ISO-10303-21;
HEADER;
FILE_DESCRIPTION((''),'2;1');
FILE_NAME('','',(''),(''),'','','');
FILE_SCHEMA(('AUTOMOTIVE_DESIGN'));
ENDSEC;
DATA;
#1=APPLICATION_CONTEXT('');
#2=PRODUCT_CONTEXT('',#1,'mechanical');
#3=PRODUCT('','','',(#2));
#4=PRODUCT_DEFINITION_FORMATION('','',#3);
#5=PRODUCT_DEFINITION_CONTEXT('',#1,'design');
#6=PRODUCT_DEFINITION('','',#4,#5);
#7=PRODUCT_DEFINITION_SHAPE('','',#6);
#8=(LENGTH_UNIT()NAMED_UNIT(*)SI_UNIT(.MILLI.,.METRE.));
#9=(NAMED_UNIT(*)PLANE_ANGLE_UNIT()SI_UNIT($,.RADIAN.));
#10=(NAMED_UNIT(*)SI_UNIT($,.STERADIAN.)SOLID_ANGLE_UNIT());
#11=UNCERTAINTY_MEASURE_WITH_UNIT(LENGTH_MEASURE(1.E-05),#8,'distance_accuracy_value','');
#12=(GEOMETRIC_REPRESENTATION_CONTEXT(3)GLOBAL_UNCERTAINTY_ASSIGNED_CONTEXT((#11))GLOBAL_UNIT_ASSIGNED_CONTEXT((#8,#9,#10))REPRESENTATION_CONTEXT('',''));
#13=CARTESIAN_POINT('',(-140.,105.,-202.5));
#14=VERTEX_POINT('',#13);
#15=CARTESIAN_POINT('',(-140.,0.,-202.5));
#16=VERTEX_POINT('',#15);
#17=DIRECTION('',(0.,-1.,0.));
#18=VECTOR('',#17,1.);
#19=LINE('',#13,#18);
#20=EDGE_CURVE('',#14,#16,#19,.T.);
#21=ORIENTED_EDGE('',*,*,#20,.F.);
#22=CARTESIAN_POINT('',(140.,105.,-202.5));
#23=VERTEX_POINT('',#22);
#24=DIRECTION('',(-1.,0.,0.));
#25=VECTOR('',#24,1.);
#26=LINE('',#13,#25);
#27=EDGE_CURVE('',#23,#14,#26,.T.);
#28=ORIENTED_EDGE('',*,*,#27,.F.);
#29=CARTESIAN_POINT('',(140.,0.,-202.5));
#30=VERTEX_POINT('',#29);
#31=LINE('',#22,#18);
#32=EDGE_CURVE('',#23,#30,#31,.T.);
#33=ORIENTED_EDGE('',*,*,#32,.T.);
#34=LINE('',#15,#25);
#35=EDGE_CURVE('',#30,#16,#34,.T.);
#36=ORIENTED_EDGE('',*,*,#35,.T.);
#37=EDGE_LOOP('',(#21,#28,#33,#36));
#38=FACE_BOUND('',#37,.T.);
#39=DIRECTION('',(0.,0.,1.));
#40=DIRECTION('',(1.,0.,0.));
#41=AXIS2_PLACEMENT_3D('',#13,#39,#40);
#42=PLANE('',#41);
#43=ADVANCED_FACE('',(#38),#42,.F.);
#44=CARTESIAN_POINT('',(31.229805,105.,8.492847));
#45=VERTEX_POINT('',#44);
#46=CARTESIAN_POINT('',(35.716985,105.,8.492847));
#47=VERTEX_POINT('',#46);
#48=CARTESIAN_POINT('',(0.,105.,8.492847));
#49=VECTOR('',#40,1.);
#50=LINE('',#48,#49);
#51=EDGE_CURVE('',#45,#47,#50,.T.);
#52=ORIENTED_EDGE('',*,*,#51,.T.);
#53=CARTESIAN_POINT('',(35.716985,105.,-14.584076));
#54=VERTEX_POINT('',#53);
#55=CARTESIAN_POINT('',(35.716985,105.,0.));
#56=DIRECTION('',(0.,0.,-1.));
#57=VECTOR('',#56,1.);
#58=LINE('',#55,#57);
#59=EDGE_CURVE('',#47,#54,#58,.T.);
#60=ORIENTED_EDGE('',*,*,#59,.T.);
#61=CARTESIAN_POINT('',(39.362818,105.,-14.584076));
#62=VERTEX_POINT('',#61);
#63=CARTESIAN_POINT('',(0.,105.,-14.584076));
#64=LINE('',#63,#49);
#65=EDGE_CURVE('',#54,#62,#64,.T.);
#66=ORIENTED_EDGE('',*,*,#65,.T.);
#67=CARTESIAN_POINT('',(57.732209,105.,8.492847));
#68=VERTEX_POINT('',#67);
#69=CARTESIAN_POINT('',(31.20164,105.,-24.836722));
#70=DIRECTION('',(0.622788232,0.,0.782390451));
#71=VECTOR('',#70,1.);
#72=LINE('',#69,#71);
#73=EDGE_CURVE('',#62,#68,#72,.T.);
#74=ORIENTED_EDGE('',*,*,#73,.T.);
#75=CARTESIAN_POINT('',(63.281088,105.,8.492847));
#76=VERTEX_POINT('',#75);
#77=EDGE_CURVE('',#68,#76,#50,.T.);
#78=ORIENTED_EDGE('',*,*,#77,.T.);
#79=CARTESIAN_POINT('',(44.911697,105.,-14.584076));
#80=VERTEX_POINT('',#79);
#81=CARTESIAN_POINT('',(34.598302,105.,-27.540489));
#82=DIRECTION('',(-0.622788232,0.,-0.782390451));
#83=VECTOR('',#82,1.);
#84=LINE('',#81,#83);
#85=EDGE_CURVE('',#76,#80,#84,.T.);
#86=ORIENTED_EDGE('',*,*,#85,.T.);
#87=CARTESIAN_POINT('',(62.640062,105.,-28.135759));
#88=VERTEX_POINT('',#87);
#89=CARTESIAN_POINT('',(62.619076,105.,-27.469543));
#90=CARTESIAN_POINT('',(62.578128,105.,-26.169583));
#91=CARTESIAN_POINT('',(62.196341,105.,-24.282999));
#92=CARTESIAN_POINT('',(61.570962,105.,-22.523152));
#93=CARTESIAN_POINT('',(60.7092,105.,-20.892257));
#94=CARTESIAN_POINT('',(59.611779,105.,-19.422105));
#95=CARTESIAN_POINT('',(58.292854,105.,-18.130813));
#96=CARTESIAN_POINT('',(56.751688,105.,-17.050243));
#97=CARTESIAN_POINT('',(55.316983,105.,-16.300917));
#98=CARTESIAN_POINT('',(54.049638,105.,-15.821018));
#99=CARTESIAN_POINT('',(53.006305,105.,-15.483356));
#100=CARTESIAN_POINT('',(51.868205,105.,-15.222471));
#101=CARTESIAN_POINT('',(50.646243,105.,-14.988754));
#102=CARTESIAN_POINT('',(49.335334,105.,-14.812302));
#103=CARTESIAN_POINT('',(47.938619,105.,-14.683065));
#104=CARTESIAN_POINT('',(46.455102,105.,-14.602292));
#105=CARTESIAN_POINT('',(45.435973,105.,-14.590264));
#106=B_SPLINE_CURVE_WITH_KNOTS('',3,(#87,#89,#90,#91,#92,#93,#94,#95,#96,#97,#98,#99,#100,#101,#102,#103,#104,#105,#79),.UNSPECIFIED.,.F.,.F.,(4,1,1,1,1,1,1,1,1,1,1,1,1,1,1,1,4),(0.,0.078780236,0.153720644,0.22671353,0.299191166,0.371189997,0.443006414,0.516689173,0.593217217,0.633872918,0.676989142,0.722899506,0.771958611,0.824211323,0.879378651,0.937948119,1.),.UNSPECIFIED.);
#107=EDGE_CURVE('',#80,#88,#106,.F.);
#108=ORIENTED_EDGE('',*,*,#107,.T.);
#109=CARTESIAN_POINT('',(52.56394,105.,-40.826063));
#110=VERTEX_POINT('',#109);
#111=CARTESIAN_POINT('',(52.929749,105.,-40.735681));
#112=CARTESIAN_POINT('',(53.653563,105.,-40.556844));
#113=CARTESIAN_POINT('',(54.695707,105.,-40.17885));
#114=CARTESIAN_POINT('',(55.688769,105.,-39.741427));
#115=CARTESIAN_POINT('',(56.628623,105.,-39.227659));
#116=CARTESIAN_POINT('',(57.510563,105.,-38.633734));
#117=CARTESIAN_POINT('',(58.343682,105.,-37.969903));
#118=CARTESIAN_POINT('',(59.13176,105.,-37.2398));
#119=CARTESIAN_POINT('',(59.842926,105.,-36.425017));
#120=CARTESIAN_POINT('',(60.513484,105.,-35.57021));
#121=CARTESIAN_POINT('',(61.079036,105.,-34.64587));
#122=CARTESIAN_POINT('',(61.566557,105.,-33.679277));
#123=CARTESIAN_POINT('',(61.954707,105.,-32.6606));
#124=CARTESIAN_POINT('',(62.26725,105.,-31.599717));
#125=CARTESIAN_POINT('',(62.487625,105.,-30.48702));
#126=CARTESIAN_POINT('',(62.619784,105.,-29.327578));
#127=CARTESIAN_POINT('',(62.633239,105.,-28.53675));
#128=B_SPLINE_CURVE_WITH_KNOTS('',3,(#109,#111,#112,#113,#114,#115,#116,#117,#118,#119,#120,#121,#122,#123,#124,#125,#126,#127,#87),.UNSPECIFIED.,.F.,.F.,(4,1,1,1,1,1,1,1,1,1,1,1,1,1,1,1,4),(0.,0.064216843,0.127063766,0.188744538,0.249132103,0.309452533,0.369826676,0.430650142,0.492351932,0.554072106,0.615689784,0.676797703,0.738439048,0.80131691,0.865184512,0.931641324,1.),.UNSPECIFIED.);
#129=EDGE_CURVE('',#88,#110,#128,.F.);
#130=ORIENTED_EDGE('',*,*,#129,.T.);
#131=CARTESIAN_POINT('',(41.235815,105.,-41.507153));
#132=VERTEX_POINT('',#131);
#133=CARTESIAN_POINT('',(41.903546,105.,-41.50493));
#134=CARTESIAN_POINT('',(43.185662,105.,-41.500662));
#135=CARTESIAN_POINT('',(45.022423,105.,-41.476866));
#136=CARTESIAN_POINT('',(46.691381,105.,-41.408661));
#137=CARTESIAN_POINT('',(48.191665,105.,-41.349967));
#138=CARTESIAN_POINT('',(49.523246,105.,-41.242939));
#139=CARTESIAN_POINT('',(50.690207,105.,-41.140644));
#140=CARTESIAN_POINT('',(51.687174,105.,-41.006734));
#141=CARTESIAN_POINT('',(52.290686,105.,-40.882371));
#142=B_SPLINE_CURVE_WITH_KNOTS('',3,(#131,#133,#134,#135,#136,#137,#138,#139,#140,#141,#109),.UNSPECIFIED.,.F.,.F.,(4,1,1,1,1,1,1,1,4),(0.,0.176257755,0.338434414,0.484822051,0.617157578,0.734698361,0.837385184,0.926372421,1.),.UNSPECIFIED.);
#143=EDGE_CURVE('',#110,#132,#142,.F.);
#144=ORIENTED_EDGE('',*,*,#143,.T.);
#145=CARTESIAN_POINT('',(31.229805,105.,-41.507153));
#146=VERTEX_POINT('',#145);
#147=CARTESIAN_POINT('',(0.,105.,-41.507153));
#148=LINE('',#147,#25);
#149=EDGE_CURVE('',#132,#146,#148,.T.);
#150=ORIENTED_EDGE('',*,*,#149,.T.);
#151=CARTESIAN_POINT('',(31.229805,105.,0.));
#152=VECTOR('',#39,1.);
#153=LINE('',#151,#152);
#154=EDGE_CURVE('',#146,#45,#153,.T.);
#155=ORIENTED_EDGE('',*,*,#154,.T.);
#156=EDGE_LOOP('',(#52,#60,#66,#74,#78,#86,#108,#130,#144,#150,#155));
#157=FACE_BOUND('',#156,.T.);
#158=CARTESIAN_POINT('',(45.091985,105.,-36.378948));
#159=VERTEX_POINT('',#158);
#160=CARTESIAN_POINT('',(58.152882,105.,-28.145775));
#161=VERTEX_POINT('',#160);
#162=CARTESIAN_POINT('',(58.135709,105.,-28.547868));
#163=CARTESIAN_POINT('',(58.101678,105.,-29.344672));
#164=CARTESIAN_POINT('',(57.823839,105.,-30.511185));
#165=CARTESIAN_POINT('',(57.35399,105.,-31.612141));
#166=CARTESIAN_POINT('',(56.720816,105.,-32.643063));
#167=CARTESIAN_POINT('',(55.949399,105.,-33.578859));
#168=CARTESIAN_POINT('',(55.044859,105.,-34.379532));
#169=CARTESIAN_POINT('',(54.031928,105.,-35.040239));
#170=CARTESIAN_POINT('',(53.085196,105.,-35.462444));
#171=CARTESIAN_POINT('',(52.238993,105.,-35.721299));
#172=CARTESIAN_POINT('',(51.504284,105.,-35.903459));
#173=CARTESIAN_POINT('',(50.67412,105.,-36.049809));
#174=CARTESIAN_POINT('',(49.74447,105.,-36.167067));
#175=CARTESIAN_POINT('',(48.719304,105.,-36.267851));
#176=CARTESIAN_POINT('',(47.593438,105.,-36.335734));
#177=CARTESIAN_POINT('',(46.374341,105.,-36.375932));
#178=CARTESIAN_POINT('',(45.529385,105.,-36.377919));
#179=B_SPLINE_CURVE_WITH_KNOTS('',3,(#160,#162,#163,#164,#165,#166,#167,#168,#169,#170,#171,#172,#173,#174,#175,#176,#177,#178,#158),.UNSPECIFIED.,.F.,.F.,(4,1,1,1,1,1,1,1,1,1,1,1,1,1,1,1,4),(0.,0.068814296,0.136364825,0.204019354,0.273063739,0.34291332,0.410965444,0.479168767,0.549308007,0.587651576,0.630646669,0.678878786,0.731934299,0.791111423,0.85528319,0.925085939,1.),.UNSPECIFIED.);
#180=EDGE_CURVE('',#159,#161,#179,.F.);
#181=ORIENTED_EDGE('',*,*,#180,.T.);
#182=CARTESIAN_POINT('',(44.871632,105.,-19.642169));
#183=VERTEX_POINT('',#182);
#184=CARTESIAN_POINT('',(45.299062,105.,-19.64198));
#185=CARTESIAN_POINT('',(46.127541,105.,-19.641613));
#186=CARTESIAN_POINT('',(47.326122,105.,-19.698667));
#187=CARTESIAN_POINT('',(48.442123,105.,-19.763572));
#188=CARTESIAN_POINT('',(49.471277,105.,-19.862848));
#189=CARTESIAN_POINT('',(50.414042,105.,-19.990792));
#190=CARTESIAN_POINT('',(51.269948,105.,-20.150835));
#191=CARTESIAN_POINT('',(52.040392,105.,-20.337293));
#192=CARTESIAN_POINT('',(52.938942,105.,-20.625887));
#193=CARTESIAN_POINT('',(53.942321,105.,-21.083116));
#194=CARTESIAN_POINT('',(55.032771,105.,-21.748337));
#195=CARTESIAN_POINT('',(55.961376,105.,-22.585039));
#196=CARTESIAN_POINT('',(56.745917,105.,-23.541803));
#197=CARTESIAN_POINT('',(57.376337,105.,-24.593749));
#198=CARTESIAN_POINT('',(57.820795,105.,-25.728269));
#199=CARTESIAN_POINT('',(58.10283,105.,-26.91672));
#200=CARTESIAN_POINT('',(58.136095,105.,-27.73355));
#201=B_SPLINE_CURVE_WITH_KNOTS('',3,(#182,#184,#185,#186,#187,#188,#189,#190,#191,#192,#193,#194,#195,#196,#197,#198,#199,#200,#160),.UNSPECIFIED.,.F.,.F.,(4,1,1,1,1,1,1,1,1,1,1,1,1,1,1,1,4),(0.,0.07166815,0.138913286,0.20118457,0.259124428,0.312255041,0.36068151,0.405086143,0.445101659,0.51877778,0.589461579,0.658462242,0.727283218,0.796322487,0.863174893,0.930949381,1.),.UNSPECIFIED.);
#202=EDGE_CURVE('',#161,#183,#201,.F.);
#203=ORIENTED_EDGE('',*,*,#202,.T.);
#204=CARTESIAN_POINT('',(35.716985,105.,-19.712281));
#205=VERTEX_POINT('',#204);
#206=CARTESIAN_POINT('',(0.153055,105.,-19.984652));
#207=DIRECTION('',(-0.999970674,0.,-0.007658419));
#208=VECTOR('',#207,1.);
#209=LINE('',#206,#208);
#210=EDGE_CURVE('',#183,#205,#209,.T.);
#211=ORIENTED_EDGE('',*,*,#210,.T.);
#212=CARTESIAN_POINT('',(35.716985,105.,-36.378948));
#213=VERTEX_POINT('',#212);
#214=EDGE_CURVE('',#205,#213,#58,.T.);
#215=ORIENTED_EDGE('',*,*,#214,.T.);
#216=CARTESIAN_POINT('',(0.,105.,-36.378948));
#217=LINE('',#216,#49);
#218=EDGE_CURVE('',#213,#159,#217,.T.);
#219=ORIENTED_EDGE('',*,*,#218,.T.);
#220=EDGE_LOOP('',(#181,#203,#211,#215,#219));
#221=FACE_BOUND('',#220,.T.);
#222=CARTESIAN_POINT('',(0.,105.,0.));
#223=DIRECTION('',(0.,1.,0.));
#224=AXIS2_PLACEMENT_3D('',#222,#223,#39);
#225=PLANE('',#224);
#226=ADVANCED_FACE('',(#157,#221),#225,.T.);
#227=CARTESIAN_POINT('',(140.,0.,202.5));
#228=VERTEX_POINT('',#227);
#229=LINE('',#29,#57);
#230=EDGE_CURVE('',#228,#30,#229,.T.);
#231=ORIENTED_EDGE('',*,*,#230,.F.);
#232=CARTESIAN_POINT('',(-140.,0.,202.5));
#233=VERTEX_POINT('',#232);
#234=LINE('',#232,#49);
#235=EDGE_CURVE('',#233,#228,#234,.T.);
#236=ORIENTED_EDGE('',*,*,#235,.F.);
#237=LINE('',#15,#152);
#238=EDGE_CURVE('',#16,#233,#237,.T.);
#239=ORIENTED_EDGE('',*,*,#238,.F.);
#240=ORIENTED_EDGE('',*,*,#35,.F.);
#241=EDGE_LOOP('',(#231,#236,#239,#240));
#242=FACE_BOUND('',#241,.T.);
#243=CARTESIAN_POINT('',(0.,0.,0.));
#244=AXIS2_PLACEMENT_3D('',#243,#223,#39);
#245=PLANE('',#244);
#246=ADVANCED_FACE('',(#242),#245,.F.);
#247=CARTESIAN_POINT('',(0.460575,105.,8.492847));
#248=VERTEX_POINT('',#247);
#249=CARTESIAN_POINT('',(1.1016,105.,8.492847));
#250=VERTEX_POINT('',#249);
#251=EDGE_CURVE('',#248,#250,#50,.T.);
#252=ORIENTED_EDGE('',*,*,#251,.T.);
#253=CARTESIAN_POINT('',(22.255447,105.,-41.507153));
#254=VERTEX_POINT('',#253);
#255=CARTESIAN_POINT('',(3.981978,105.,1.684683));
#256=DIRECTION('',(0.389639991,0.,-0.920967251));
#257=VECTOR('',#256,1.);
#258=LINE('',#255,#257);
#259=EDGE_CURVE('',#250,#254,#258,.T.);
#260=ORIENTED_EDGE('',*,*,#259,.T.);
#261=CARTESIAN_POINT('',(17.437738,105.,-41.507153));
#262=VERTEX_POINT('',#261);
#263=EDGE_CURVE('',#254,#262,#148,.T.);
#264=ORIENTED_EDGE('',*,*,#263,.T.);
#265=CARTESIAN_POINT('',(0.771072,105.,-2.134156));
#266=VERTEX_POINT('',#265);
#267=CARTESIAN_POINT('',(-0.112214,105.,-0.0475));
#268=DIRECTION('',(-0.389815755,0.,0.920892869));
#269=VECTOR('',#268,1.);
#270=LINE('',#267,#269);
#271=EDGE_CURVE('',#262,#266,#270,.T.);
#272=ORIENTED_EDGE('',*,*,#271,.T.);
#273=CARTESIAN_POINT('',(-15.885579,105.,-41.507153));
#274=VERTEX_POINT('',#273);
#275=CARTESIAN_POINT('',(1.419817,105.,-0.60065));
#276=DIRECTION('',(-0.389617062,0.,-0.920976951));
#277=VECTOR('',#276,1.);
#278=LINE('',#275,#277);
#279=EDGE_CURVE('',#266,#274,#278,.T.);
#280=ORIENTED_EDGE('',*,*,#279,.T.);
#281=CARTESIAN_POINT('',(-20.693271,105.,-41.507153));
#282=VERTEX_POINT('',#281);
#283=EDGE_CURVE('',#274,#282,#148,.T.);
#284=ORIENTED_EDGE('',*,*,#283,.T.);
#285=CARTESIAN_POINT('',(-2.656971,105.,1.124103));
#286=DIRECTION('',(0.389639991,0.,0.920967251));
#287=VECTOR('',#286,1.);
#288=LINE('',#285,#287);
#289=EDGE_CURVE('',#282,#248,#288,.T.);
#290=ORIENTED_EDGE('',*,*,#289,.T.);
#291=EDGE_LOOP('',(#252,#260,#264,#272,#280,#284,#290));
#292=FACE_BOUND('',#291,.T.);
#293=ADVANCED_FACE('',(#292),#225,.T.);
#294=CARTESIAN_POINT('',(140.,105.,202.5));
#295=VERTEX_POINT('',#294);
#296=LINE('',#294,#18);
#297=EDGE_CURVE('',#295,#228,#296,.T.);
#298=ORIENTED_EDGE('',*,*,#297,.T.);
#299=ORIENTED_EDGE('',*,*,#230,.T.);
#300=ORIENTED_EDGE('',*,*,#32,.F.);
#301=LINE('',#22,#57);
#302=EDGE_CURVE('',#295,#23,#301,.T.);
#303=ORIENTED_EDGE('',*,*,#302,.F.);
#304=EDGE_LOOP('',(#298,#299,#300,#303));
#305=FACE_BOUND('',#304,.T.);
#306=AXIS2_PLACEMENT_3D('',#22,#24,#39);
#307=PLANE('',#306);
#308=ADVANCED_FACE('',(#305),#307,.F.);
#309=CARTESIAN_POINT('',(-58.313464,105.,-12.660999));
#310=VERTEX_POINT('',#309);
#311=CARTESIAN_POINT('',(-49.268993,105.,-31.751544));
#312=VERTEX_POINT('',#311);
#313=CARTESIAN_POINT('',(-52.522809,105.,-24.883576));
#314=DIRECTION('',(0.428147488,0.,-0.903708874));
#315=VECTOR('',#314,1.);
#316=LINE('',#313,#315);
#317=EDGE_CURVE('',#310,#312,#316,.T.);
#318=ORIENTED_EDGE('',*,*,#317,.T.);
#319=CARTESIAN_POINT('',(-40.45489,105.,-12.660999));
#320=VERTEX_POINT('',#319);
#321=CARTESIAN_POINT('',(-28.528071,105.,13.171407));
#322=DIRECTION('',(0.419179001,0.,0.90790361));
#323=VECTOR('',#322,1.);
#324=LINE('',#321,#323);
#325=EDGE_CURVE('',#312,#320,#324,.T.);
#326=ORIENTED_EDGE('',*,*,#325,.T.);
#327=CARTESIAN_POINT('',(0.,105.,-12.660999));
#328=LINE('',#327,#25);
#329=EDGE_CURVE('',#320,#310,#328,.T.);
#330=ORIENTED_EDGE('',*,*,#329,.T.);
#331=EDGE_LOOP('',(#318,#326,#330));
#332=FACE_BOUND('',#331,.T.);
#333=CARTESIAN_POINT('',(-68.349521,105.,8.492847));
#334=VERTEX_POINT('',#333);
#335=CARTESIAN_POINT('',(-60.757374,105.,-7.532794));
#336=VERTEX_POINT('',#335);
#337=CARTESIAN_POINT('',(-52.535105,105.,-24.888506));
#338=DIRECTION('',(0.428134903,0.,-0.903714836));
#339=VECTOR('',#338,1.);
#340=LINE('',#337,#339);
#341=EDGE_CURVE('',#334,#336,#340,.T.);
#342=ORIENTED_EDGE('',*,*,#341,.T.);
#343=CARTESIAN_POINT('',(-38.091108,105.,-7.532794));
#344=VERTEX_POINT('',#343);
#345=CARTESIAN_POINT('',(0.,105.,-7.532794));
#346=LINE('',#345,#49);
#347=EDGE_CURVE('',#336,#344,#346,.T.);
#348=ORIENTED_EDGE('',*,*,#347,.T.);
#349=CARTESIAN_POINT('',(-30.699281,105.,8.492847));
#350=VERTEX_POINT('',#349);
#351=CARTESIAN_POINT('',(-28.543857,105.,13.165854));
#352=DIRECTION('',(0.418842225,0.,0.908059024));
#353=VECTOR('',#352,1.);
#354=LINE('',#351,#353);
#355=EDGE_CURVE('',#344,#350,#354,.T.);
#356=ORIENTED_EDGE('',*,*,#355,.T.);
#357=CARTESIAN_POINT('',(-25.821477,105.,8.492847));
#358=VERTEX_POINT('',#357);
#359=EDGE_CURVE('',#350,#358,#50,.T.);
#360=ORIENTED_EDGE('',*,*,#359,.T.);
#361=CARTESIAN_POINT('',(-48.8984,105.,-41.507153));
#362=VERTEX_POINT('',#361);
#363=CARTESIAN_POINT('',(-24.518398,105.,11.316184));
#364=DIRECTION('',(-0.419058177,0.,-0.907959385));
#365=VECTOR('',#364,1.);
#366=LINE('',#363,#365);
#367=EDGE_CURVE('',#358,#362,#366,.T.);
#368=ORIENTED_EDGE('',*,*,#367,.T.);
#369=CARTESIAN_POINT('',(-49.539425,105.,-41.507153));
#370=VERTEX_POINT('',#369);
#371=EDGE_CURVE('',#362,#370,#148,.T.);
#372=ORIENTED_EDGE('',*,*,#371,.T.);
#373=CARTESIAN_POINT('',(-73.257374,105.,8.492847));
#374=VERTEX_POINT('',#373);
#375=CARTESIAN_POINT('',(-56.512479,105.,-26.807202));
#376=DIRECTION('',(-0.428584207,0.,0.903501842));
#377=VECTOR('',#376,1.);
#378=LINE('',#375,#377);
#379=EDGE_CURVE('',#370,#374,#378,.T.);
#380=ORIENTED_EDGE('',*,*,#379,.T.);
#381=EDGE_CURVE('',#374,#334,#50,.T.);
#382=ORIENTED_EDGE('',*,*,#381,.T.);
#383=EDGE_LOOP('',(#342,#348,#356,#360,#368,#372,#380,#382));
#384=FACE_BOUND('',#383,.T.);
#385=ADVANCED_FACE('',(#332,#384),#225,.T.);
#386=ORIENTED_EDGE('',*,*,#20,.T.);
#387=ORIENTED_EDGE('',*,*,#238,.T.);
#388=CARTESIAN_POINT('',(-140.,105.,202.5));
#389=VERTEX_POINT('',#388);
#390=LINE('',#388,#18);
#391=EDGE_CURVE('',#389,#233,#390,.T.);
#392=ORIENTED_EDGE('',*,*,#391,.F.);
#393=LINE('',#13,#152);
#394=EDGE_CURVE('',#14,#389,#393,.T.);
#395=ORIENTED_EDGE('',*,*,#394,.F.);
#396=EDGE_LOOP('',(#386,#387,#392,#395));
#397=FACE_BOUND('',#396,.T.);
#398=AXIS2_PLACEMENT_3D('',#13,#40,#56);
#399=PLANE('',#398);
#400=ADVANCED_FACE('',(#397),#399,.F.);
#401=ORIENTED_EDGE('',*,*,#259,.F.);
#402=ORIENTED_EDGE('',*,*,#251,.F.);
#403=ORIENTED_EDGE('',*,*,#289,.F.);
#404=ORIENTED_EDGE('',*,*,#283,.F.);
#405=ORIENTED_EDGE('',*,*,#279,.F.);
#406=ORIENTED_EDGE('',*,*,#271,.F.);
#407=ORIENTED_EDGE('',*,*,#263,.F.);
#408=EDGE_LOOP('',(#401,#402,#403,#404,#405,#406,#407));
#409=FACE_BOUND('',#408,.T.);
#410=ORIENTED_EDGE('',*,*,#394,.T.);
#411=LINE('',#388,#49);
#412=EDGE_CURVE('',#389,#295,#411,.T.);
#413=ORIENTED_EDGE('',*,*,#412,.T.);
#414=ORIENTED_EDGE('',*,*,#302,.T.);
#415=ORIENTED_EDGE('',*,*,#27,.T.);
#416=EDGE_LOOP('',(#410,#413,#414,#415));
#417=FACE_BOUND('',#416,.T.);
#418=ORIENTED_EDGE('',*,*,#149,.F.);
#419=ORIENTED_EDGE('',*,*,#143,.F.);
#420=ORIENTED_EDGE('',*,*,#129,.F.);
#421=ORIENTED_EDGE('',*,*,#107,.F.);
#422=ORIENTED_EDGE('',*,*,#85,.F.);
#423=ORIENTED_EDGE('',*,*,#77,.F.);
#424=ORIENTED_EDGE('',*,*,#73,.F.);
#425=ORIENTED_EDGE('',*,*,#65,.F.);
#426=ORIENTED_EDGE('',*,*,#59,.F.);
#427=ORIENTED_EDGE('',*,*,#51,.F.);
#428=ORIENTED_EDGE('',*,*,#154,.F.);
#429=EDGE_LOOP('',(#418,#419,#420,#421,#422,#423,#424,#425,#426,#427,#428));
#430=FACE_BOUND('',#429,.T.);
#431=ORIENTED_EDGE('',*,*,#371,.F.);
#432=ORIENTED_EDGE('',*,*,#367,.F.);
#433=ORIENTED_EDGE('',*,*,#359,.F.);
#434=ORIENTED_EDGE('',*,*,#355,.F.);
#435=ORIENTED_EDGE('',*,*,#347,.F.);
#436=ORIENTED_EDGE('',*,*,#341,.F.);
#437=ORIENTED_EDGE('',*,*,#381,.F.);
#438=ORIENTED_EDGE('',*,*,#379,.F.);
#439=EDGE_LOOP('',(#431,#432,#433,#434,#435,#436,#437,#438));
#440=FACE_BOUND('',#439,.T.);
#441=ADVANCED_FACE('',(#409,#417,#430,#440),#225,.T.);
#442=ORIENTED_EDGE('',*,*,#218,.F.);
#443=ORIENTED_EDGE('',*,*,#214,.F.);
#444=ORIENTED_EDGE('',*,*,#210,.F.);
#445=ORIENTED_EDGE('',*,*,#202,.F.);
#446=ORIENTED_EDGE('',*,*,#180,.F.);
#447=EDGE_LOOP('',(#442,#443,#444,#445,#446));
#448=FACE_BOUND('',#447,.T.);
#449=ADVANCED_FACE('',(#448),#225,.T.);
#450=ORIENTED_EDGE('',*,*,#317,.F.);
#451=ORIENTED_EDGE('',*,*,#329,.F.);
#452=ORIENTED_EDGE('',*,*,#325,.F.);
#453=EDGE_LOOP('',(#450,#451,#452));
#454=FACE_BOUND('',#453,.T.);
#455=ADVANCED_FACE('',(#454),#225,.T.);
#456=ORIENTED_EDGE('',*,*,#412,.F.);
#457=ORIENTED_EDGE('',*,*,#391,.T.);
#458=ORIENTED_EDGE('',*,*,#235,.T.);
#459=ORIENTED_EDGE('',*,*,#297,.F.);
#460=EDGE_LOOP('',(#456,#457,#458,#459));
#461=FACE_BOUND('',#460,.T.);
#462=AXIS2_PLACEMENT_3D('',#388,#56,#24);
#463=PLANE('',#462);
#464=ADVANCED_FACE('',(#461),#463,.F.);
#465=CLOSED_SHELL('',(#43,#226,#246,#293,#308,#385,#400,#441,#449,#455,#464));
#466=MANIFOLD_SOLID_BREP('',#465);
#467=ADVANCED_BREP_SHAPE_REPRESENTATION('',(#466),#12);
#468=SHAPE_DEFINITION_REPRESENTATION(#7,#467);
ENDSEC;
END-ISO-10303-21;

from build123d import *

# Parameters (mm, degrees)
SKETCH1_W           = 280
SKETCH1_H           = 405
BOSS_EXTRUDE1_DEPTH = 105


with BuildPart() as part:
    # Sketch1 → Boss-Extrude1 (new body)
    with BuildSketch(Plane(origin=(0, 0, 0), x_dir=(1, 0, 0), z_dir=(0, 1, 0))):
        Rectangle(SKETCH1_W, SKETCH1_H)
    extrude(amount=BOSS_EXTRUDE1_DEPTH)


solid = part.part
